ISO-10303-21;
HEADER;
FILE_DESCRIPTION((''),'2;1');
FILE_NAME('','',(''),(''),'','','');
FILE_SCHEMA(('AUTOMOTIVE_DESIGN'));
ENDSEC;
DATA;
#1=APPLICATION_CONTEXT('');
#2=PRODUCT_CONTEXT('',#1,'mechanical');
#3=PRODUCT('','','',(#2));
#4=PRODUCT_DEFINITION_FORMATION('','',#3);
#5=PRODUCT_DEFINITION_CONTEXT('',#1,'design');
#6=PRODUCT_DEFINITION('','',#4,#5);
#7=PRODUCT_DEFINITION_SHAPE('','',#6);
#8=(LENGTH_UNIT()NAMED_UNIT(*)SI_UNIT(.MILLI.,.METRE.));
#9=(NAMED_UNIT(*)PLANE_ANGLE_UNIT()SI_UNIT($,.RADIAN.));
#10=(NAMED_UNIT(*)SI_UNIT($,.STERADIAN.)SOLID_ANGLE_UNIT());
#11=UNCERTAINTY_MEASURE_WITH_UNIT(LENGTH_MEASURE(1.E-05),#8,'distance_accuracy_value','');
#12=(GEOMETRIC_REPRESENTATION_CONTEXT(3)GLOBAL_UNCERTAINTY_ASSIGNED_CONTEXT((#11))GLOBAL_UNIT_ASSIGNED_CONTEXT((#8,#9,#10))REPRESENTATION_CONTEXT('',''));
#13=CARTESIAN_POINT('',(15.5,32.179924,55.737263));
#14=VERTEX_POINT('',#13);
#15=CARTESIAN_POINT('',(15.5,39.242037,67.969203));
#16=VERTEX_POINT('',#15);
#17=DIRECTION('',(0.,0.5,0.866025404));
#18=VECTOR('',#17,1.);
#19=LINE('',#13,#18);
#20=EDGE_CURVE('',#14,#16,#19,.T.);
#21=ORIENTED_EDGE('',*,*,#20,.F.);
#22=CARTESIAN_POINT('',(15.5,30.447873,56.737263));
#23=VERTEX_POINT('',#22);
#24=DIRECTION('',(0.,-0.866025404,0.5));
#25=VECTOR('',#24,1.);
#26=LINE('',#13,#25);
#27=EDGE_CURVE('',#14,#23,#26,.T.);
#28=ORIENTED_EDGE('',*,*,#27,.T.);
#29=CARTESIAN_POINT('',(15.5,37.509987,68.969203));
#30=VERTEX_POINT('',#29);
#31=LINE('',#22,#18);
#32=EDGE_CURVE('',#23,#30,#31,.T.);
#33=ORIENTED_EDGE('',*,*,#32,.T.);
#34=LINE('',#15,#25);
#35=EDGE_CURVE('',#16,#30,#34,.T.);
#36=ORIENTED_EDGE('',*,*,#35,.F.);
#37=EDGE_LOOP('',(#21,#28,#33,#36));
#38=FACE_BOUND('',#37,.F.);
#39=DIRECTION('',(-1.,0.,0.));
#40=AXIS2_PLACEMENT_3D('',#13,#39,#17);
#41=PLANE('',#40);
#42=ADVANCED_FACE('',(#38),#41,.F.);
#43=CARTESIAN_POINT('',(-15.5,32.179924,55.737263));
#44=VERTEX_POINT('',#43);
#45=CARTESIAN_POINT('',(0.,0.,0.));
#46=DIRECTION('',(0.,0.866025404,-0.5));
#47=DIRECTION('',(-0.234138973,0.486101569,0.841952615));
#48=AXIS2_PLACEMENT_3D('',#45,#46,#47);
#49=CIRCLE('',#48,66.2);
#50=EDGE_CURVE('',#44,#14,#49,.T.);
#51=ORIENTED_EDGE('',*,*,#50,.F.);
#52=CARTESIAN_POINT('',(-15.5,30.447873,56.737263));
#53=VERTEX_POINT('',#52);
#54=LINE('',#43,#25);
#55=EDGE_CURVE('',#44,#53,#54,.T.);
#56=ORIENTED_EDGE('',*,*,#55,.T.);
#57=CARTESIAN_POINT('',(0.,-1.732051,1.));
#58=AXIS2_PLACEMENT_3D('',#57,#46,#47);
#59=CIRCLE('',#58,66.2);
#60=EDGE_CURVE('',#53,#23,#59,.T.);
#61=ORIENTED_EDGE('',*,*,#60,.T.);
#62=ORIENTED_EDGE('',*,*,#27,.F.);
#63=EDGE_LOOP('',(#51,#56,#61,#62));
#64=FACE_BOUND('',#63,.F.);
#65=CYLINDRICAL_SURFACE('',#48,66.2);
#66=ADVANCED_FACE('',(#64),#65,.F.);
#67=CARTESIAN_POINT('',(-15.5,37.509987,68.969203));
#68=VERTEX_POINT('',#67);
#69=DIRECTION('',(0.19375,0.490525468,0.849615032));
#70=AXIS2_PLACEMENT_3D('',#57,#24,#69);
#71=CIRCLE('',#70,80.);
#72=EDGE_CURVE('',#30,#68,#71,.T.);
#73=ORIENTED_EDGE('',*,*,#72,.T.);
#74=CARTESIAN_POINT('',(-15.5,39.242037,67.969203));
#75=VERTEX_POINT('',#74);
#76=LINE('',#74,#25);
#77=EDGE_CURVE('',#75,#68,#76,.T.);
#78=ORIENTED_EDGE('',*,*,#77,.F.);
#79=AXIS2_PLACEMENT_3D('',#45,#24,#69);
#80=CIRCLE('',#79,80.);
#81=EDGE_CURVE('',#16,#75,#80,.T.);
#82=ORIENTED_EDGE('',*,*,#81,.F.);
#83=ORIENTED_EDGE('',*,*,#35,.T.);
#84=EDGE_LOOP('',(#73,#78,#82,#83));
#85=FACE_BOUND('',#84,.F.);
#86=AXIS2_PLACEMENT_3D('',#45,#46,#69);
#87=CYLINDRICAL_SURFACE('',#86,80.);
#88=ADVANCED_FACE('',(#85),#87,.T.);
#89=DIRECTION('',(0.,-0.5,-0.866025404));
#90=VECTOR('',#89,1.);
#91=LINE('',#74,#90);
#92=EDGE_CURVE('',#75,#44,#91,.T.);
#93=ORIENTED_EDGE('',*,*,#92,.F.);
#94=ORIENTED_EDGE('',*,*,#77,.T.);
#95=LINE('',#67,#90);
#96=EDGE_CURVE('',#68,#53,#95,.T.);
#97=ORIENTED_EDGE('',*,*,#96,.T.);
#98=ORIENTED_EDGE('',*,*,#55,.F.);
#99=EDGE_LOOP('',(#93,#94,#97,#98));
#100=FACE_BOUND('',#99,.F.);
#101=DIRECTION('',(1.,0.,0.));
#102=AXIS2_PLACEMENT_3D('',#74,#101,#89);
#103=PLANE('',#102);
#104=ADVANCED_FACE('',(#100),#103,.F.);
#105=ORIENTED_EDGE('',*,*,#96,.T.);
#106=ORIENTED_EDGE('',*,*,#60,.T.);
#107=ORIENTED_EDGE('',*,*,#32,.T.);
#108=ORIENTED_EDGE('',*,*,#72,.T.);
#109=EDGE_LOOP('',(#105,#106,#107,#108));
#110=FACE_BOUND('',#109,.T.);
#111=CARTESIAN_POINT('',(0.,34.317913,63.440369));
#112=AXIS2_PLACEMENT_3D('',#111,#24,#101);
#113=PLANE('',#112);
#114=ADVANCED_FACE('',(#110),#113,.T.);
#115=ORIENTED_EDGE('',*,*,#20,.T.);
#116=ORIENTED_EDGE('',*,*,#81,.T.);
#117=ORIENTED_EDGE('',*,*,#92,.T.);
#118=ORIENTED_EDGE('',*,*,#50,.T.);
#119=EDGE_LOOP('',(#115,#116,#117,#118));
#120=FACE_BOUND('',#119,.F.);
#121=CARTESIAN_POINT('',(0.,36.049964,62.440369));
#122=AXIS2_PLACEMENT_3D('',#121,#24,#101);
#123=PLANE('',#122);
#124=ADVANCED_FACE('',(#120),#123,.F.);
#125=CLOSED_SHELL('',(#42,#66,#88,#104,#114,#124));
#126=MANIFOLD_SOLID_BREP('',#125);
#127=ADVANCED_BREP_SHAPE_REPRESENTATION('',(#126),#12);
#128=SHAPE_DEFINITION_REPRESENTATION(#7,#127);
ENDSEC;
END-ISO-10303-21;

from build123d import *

# Parameters (mm, degrees)
F1_DEPTH = 2
F2_ANGLE = -30


with BuildPart() as f1:
    # F0 (on Front) → F1 (new body)
    with BuildSketch(Plane.XZ):
        with BuildLine():
            Line((15.5, 64.3598477313), (15.5, 78.4840748178))
            ThreePointArc((15.5, 78.4840748178), (0, 80), (-15.5, 78.4840748178))
            Line((-15.5, 78.4840748178), (-15.5, 64.3598477313))
            ThreePointArc((-15.5, 64.3598477313), (0, 66.2), (15.5, 64.3598477313))
        make_face()
    extrude(amount=F1_DEPTH)


with BuildPart() as f1_1:
    # F2: moved
    add(f1.part.rotate(Axis((0.8731409907, 0, 0), (1, 0, 0)), F2_ANGLE))


solid = f1_1.part
